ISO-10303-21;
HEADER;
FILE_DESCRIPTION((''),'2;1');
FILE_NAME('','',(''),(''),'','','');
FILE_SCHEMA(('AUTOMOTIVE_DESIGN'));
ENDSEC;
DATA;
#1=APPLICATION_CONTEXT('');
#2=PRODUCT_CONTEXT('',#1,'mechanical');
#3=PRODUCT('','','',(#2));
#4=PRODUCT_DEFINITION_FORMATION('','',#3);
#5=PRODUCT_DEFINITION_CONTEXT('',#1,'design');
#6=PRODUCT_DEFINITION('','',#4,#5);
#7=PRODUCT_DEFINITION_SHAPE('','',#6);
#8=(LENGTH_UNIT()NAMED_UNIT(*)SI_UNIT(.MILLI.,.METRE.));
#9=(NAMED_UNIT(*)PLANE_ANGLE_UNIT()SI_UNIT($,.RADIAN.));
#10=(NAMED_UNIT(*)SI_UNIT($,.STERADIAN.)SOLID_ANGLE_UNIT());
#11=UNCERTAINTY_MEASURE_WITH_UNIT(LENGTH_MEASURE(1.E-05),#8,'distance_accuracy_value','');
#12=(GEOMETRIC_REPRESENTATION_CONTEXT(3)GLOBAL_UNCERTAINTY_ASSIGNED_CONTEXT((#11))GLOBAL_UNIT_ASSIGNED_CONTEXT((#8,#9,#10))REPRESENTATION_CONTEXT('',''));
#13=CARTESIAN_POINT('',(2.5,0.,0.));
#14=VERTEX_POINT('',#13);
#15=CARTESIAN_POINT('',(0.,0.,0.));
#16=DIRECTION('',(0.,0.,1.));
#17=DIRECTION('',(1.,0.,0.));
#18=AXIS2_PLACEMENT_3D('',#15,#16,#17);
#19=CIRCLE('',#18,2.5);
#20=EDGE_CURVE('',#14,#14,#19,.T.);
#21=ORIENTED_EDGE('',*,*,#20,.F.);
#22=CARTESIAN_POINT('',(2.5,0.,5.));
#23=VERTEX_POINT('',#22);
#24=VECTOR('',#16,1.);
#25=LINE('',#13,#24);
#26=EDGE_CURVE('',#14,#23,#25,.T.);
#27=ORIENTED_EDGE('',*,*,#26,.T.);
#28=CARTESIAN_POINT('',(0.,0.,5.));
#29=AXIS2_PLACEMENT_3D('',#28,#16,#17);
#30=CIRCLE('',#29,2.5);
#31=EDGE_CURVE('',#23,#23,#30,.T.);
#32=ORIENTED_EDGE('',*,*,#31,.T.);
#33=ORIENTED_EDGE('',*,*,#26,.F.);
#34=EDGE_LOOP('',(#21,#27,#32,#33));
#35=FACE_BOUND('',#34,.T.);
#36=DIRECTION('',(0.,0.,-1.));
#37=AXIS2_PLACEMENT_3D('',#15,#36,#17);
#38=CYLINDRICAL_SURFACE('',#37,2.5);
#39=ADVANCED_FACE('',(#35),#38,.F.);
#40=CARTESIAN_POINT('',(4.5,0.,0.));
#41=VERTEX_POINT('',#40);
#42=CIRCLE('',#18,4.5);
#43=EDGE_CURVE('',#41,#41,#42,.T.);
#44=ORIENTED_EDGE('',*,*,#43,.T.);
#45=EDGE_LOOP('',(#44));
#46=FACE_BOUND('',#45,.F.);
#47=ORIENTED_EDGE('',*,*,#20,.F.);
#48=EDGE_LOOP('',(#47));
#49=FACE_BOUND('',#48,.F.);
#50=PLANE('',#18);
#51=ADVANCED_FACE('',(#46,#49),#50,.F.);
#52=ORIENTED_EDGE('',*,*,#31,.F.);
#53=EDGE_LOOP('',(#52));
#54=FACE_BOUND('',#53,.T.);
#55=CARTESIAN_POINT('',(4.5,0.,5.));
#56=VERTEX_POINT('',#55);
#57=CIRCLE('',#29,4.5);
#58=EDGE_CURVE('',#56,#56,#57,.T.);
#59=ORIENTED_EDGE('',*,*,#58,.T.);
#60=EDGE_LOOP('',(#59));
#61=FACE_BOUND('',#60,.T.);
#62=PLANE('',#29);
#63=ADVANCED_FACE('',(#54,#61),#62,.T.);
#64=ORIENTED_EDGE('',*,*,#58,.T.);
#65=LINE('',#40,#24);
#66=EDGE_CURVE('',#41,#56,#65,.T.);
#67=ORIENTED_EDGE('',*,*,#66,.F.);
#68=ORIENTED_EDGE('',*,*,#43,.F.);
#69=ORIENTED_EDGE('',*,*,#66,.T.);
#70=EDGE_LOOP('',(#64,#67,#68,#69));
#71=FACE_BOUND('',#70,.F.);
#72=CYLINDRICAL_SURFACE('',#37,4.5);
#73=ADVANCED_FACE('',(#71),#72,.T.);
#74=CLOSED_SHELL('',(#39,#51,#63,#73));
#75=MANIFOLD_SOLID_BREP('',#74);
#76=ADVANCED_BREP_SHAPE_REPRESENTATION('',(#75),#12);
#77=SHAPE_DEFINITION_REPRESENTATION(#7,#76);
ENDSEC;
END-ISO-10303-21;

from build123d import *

# Parameters (mm, degrees)
CYLINDER009_R     = 2.5
CYLINDER009_DEPTH = 5
CYLINDER011_R     = 4.5
CYLINDER011_DEPTH = 5


with BuildPart() as interior002:
    # Cylinder009 → Cylinder009 (new body)
    with BuildSketch(Plane.XY):
        Circle(CYLINDER009_R)
    extrude(amount=CYLINDER009_DEPTH)


with BuildPart() as interior003:
    # Cylinder011 → Cylinder011 (new body)
    with BuildSketch(Plane.XY):
        Circle(CYLINDER011_R)
    extrude(amount=CYLINDER011_DEPTH)

    # Cut005: cut Interior002
    add(interior002.part, mode=Mode.SUBTRACT)


solid = interior003.part
